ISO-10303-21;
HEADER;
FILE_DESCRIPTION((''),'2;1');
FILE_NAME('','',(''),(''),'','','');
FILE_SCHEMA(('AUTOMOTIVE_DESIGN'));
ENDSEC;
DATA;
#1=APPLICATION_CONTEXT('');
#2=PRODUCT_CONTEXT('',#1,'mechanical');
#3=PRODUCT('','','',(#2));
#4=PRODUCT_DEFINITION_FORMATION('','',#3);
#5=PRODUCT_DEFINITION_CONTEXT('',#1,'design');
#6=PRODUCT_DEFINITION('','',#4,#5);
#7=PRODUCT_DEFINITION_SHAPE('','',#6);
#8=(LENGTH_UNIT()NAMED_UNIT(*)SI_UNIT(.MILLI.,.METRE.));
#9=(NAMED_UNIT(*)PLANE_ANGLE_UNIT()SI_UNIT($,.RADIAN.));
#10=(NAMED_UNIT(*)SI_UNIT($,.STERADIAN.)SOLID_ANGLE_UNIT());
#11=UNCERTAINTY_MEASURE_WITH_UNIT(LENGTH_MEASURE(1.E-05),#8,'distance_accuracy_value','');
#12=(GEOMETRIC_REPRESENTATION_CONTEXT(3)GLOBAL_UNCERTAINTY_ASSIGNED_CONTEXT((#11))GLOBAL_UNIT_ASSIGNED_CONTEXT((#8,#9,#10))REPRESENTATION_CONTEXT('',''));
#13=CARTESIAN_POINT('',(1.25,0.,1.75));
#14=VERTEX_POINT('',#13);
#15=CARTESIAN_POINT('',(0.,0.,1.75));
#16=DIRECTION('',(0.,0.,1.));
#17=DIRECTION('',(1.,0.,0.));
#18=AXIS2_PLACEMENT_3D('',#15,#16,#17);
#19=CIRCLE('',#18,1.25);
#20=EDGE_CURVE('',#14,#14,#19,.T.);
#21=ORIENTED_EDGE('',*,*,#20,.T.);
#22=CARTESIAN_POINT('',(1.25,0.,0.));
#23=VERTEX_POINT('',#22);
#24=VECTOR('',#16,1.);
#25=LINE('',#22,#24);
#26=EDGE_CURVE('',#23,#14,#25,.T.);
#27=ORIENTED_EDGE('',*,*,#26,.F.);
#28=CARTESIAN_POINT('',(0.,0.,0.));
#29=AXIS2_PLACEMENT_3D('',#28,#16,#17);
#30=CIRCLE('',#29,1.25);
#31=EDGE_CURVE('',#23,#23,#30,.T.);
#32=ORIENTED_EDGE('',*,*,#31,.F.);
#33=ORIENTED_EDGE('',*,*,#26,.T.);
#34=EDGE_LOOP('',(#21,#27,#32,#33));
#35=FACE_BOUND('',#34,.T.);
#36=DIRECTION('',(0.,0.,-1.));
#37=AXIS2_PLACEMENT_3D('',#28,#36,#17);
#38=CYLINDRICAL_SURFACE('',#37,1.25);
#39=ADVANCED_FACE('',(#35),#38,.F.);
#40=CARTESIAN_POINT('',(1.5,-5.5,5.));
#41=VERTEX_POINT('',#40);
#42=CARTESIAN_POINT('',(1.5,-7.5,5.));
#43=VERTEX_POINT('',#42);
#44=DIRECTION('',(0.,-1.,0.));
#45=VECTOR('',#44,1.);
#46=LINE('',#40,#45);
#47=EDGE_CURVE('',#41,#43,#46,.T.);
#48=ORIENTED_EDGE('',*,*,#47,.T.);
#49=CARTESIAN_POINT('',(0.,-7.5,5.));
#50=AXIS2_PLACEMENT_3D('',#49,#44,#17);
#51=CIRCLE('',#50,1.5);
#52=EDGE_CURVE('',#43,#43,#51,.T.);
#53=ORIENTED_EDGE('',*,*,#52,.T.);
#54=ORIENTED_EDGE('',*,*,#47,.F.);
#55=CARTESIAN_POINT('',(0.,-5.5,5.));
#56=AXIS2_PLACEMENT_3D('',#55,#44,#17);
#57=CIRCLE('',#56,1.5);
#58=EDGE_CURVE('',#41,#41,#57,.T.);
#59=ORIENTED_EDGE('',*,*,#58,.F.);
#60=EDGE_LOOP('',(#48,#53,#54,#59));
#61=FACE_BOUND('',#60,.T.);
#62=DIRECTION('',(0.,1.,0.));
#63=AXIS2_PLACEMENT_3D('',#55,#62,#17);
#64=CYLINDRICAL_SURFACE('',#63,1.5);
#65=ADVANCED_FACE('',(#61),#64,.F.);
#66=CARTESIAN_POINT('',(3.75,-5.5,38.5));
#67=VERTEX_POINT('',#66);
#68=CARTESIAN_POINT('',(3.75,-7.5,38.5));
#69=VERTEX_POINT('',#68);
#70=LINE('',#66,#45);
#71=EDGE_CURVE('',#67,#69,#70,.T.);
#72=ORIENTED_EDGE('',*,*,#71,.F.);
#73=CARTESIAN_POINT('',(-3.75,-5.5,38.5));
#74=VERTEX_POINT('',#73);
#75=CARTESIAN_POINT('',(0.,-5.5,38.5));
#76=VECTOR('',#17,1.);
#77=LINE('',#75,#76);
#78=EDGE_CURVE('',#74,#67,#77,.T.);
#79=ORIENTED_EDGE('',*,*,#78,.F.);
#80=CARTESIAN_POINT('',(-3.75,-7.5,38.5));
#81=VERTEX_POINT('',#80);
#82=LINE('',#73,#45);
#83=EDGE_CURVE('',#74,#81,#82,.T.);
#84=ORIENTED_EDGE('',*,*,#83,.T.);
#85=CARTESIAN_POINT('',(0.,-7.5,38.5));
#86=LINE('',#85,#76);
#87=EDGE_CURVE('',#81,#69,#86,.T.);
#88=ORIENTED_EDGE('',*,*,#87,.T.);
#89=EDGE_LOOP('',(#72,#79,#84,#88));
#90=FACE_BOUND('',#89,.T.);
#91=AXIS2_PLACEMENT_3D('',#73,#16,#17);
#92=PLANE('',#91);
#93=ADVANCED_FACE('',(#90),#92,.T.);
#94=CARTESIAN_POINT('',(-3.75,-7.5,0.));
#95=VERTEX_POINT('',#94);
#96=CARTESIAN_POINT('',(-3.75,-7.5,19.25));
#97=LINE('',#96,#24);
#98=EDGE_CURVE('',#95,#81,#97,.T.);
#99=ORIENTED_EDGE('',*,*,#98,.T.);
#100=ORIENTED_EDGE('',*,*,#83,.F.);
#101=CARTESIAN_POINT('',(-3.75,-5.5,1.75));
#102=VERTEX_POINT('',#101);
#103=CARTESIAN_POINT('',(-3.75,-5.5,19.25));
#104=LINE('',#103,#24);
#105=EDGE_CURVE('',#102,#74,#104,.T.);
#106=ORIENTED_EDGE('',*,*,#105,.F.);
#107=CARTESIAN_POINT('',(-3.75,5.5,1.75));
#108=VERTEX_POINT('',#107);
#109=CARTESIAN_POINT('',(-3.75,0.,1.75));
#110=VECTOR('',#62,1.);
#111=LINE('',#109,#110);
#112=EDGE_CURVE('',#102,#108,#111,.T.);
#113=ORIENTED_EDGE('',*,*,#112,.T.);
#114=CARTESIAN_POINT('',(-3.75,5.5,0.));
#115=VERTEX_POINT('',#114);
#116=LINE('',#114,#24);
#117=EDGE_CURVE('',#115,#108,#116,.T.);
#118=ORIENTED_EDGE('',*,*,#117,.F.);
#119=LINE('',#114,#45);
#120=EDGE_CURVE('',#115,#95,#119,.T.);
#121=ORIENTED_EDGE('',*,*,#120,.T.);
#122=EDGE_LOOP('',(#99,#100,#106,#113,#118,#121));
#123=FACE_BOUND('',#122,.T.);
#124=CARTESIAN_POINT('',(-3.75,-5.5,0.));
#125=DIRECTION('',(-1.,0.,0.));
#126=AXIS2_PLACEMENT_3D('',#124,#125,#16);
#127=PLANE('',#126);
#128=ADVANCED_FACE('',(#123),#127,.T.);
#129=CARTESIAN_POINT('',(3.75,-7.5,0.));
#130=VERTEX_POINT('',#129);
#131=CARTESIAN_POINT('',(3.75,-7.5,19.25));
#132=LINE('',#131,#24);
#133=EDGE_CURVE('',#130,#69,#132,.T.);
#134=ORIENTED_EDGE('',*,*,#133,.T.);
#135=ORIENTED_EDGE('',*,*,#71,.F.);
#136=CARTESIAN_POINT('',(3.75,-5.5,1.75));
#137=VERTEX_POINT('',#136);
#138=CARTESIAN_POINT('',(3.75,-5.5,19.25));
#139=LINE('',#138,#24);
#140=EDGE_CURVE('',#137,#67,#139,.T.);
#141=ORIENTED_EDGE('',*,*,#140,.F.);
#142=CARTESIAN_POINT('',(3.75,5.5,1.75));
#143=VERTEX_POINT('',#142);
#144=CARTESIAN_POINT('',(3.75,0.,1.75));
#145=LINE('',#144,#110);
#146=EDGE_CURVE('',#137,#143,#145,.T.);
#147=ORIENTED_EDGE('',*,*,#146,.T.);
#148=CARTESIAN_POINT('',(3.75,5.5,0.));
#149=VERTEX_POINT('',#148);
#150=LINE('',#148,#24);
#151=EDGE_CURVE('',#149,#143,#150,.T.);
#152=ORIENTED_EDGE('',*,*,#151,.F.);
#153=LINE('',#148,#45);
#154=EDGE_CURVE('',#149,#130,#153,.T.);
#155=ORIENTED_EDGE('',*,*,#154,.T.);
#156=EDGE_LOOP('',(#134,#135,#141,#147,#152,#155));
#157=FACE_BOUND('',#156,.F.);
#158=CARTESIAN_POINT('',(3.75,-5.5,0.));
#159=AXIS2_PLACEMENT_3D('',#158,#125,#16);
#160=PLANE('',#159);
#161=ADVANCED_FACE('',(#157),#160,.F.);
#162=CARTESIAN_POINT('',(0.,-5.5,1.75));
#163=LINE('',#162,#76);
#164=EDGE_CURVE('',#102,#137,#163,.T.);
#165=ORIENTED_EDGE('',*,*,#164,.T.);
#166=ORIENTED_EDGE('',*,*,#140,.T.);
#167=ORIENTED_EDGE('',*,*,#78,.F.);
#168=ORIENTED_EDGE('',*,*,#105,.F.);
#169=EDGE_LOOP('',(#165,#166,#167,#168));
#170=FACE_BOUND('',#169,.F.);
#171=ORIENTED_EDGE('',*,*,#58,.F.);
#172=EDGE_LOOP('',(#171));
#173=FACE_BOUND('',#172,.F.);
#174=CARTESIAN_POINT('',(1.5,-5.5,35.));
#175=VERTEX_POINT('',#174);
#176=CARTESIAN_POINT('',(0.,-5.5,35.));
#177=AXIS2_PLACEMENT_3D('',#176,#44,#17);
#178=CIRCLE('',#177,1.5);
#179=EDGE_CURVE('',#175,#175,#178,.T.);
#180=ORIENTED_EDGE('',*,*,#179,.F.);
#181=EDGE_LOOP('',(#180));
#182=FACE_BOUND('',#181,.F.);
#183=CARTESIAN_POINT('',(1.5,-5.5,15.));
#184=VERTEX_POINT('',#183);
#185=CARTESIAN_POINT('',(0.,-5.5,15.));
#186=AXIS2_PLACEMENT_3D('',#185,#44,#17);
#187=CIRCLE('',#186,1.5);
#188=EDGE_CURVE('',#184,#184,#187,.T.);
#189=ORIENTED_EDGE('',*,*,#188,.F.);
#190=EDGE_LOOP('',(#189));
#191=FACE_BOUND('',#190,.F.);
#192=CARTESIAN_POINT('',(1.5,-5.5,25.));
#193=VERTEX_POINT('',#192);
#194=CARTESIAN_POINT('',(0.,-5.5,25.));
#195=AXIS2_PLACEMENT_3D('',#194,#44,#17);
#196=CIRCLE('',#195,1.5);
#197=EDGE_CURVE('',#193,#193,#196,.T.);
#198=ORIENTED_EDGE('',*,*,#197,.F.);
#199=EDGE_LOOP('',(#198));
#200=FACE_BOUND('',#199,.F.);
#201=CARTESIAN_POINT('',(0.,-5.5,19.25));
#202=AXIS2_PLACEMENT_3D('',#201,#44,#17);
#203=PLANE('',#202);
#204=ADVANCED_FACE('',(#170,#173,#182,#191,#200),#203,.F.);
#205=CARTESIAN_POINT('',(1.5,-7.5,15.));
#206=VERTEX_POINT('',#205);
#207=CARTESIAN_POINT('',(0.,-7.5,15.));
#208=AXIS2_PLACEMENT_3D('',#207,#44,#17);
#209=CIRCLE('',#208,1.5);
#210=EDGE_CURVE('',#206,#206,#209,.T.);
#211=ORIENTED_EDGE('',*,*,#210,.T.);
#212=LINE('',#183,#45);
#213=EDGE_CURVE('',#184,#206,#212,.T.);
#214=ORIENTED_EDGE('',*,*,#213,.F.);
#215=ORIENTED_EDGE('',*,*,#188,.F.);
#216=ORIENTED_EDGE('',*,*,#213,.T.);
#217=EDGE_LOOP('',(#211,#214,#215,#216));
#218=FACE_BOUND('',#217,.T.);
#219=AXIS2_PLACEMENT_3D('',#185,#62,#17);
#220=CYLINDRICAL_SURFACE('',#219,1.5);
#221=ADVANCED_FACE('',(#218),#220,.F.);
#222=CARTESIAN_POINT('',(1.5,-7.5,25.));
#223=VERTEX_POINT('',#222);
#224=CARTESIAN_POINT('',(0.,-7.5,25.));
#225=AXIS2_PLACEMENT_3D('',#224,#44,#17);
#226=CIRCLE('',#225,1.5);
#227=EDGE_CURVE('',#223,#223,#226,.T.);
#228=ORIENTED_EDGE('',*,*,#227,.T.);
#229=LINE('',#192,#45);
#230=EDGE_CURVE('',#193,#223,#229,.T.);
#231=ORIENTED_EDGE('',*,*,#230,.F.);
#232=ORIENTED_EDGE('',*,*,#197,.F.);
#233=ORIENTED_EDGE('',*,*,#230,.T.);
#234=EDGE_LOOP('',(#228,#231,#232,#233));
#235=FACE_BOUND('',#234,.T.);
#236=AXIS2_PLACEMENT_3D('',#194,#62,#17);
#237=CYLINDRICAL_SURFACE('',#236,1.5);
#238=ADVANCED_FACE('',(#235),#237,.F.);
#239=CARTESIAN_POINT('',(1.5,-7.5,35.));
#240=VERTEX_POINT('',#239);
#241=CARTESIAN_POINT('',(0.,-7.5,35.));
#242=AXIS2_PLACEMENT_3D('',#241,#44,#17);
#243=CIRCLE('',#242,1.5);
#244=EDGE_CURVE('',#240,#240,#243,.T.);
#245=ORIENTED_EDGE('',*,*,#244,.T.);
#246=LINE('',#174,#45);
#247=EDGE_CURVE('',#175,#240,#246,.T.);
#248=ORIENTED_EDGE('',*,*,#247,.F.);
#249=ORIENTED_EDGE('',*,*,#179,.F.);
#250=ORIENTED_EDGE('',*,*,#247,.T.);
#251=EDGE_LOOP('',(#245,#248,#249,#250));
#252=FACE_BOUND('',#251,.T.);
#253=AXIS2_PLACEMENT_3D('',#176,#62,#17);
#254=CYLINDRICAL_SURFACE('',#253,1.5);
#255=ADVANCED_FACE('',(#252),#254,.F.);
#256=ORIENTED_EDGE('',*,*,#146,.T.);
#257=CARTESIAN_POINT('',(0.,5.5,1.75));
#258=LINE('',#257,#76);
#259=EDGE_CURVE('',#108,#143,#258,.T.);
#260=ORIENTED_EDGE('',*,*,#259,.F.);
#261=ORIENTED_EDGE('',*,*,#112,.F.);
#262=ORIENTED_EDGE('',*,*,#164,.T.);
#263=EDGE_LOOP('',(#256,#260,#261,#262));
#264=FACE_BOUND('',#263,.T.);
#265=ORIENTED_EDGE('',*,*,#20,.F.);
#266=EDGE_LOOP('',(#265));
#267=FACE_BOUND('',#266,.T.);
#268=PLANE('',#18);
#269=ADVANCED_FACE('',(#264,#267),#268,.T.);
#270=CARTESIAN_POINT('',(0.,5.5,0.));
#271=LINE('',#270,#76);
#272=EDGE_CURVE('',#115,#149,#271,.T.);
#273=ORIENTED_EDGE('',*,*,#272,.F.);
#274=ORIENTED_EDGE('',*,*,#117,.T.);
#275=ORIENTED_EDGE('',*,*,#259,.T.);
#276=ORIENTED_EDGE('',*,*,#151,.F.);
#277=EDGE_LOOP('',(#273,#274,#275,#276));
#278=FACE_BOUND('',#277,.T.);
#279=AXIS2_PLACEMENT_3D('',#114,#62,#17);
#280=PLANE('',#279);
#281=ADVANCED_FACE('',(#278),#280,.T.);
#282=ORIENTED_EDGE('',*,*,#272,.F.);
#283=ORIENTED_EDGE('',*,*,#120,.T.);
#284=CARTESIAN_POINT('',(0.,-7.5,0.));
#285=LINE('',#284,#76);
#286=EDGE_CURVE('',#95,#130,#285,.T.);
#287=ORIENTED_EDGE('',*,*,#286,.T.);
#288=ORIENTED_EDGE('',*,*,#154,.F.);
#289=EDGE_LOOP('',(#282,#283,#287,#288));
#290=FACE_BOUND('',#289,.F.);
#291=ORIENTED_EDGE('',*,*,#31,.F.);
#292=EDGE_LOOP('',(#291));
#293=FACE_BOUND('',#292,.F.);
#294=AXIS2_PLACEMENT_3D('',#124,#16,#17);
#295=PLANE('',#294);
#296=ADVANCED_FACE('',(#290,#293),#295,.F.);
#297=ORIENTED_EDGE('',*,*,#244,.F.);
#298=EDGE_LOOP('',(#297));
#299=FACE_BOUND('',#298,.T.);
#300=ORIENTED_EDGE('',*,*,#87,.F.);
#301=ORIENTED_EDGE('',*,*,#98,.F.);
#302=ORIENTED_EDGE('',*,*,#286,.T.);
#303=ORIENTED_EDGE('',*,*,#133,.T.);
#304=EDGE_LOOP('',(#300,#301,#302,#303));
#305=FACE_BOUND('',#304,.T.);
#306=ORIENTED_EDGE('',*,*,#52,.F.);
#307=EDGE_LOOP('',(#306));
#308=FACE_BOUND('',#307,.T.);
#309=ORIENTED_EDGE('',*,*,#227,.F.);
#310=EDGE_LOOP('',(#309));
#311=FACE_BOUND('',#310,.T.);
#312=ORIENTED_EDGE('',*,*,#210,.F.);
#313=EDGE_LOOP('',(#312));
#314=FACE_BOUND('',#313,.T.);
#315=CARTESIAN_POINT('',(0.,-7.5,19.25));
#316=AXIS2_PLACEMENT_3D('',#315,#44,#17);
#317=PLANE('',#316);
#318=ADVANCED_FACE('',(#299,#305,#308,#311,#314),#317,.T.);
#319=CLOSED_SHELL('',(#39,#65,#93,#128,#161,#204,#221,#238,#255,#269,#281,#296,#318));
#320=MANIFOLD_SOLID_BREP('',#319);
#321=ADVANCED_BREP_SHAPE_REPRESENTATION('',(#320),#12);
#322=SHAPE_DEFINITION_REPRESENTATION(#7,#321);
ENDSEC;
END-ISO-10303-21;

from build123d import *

# Parameters (mm, degrees)
SKETCH_W     = 7.5
SKETCH_H     = 11
SKETCH_R     = 1.25
PAD_DEPTH    = 1.75
SKETCH001_W  = 7.5
SKETCH001_H  = 38.5
SKETCH001_R  = 1.5
PAD001_DEPTH = 2


with BuildPart() as part:
    # Sketch → Pad (new body)
    with BuildSketch(Plane.XY):
        Rectangle(SKETCH_W, SKETCH_H)
        Circle(SKETCH_R, mode=Mode.SUBTRACT)
    extrude(amount=PAD_DEPTH)

    # Sketch001 (on Face3 of Pad) → Pad001 (join)
    with BuildSketch(Plane.XZ.offset(5.5)):
        with Locations((0, 19.25)):
            Rectangle(SKETCH001_W, SKETCH001_H)
        with Locations((0, 5)):
            Circle(SKETCH001_R, mode=Mode.SUBTRACT)
        with Locations((0, 15)):
            Circle(SKETCH001_R, mode=Mode.SUBTRACT)
        with Locations((0, 25)):
            Circle(SKETCH001_R, mode=Mode.SUBTRACT)
        with Locations((0, 35)):
            Circle(SKETCH001_R, mode=Mode.SUBTRACT)
    extrude(amount=PAD001_DEPTH)


solid = part.part
